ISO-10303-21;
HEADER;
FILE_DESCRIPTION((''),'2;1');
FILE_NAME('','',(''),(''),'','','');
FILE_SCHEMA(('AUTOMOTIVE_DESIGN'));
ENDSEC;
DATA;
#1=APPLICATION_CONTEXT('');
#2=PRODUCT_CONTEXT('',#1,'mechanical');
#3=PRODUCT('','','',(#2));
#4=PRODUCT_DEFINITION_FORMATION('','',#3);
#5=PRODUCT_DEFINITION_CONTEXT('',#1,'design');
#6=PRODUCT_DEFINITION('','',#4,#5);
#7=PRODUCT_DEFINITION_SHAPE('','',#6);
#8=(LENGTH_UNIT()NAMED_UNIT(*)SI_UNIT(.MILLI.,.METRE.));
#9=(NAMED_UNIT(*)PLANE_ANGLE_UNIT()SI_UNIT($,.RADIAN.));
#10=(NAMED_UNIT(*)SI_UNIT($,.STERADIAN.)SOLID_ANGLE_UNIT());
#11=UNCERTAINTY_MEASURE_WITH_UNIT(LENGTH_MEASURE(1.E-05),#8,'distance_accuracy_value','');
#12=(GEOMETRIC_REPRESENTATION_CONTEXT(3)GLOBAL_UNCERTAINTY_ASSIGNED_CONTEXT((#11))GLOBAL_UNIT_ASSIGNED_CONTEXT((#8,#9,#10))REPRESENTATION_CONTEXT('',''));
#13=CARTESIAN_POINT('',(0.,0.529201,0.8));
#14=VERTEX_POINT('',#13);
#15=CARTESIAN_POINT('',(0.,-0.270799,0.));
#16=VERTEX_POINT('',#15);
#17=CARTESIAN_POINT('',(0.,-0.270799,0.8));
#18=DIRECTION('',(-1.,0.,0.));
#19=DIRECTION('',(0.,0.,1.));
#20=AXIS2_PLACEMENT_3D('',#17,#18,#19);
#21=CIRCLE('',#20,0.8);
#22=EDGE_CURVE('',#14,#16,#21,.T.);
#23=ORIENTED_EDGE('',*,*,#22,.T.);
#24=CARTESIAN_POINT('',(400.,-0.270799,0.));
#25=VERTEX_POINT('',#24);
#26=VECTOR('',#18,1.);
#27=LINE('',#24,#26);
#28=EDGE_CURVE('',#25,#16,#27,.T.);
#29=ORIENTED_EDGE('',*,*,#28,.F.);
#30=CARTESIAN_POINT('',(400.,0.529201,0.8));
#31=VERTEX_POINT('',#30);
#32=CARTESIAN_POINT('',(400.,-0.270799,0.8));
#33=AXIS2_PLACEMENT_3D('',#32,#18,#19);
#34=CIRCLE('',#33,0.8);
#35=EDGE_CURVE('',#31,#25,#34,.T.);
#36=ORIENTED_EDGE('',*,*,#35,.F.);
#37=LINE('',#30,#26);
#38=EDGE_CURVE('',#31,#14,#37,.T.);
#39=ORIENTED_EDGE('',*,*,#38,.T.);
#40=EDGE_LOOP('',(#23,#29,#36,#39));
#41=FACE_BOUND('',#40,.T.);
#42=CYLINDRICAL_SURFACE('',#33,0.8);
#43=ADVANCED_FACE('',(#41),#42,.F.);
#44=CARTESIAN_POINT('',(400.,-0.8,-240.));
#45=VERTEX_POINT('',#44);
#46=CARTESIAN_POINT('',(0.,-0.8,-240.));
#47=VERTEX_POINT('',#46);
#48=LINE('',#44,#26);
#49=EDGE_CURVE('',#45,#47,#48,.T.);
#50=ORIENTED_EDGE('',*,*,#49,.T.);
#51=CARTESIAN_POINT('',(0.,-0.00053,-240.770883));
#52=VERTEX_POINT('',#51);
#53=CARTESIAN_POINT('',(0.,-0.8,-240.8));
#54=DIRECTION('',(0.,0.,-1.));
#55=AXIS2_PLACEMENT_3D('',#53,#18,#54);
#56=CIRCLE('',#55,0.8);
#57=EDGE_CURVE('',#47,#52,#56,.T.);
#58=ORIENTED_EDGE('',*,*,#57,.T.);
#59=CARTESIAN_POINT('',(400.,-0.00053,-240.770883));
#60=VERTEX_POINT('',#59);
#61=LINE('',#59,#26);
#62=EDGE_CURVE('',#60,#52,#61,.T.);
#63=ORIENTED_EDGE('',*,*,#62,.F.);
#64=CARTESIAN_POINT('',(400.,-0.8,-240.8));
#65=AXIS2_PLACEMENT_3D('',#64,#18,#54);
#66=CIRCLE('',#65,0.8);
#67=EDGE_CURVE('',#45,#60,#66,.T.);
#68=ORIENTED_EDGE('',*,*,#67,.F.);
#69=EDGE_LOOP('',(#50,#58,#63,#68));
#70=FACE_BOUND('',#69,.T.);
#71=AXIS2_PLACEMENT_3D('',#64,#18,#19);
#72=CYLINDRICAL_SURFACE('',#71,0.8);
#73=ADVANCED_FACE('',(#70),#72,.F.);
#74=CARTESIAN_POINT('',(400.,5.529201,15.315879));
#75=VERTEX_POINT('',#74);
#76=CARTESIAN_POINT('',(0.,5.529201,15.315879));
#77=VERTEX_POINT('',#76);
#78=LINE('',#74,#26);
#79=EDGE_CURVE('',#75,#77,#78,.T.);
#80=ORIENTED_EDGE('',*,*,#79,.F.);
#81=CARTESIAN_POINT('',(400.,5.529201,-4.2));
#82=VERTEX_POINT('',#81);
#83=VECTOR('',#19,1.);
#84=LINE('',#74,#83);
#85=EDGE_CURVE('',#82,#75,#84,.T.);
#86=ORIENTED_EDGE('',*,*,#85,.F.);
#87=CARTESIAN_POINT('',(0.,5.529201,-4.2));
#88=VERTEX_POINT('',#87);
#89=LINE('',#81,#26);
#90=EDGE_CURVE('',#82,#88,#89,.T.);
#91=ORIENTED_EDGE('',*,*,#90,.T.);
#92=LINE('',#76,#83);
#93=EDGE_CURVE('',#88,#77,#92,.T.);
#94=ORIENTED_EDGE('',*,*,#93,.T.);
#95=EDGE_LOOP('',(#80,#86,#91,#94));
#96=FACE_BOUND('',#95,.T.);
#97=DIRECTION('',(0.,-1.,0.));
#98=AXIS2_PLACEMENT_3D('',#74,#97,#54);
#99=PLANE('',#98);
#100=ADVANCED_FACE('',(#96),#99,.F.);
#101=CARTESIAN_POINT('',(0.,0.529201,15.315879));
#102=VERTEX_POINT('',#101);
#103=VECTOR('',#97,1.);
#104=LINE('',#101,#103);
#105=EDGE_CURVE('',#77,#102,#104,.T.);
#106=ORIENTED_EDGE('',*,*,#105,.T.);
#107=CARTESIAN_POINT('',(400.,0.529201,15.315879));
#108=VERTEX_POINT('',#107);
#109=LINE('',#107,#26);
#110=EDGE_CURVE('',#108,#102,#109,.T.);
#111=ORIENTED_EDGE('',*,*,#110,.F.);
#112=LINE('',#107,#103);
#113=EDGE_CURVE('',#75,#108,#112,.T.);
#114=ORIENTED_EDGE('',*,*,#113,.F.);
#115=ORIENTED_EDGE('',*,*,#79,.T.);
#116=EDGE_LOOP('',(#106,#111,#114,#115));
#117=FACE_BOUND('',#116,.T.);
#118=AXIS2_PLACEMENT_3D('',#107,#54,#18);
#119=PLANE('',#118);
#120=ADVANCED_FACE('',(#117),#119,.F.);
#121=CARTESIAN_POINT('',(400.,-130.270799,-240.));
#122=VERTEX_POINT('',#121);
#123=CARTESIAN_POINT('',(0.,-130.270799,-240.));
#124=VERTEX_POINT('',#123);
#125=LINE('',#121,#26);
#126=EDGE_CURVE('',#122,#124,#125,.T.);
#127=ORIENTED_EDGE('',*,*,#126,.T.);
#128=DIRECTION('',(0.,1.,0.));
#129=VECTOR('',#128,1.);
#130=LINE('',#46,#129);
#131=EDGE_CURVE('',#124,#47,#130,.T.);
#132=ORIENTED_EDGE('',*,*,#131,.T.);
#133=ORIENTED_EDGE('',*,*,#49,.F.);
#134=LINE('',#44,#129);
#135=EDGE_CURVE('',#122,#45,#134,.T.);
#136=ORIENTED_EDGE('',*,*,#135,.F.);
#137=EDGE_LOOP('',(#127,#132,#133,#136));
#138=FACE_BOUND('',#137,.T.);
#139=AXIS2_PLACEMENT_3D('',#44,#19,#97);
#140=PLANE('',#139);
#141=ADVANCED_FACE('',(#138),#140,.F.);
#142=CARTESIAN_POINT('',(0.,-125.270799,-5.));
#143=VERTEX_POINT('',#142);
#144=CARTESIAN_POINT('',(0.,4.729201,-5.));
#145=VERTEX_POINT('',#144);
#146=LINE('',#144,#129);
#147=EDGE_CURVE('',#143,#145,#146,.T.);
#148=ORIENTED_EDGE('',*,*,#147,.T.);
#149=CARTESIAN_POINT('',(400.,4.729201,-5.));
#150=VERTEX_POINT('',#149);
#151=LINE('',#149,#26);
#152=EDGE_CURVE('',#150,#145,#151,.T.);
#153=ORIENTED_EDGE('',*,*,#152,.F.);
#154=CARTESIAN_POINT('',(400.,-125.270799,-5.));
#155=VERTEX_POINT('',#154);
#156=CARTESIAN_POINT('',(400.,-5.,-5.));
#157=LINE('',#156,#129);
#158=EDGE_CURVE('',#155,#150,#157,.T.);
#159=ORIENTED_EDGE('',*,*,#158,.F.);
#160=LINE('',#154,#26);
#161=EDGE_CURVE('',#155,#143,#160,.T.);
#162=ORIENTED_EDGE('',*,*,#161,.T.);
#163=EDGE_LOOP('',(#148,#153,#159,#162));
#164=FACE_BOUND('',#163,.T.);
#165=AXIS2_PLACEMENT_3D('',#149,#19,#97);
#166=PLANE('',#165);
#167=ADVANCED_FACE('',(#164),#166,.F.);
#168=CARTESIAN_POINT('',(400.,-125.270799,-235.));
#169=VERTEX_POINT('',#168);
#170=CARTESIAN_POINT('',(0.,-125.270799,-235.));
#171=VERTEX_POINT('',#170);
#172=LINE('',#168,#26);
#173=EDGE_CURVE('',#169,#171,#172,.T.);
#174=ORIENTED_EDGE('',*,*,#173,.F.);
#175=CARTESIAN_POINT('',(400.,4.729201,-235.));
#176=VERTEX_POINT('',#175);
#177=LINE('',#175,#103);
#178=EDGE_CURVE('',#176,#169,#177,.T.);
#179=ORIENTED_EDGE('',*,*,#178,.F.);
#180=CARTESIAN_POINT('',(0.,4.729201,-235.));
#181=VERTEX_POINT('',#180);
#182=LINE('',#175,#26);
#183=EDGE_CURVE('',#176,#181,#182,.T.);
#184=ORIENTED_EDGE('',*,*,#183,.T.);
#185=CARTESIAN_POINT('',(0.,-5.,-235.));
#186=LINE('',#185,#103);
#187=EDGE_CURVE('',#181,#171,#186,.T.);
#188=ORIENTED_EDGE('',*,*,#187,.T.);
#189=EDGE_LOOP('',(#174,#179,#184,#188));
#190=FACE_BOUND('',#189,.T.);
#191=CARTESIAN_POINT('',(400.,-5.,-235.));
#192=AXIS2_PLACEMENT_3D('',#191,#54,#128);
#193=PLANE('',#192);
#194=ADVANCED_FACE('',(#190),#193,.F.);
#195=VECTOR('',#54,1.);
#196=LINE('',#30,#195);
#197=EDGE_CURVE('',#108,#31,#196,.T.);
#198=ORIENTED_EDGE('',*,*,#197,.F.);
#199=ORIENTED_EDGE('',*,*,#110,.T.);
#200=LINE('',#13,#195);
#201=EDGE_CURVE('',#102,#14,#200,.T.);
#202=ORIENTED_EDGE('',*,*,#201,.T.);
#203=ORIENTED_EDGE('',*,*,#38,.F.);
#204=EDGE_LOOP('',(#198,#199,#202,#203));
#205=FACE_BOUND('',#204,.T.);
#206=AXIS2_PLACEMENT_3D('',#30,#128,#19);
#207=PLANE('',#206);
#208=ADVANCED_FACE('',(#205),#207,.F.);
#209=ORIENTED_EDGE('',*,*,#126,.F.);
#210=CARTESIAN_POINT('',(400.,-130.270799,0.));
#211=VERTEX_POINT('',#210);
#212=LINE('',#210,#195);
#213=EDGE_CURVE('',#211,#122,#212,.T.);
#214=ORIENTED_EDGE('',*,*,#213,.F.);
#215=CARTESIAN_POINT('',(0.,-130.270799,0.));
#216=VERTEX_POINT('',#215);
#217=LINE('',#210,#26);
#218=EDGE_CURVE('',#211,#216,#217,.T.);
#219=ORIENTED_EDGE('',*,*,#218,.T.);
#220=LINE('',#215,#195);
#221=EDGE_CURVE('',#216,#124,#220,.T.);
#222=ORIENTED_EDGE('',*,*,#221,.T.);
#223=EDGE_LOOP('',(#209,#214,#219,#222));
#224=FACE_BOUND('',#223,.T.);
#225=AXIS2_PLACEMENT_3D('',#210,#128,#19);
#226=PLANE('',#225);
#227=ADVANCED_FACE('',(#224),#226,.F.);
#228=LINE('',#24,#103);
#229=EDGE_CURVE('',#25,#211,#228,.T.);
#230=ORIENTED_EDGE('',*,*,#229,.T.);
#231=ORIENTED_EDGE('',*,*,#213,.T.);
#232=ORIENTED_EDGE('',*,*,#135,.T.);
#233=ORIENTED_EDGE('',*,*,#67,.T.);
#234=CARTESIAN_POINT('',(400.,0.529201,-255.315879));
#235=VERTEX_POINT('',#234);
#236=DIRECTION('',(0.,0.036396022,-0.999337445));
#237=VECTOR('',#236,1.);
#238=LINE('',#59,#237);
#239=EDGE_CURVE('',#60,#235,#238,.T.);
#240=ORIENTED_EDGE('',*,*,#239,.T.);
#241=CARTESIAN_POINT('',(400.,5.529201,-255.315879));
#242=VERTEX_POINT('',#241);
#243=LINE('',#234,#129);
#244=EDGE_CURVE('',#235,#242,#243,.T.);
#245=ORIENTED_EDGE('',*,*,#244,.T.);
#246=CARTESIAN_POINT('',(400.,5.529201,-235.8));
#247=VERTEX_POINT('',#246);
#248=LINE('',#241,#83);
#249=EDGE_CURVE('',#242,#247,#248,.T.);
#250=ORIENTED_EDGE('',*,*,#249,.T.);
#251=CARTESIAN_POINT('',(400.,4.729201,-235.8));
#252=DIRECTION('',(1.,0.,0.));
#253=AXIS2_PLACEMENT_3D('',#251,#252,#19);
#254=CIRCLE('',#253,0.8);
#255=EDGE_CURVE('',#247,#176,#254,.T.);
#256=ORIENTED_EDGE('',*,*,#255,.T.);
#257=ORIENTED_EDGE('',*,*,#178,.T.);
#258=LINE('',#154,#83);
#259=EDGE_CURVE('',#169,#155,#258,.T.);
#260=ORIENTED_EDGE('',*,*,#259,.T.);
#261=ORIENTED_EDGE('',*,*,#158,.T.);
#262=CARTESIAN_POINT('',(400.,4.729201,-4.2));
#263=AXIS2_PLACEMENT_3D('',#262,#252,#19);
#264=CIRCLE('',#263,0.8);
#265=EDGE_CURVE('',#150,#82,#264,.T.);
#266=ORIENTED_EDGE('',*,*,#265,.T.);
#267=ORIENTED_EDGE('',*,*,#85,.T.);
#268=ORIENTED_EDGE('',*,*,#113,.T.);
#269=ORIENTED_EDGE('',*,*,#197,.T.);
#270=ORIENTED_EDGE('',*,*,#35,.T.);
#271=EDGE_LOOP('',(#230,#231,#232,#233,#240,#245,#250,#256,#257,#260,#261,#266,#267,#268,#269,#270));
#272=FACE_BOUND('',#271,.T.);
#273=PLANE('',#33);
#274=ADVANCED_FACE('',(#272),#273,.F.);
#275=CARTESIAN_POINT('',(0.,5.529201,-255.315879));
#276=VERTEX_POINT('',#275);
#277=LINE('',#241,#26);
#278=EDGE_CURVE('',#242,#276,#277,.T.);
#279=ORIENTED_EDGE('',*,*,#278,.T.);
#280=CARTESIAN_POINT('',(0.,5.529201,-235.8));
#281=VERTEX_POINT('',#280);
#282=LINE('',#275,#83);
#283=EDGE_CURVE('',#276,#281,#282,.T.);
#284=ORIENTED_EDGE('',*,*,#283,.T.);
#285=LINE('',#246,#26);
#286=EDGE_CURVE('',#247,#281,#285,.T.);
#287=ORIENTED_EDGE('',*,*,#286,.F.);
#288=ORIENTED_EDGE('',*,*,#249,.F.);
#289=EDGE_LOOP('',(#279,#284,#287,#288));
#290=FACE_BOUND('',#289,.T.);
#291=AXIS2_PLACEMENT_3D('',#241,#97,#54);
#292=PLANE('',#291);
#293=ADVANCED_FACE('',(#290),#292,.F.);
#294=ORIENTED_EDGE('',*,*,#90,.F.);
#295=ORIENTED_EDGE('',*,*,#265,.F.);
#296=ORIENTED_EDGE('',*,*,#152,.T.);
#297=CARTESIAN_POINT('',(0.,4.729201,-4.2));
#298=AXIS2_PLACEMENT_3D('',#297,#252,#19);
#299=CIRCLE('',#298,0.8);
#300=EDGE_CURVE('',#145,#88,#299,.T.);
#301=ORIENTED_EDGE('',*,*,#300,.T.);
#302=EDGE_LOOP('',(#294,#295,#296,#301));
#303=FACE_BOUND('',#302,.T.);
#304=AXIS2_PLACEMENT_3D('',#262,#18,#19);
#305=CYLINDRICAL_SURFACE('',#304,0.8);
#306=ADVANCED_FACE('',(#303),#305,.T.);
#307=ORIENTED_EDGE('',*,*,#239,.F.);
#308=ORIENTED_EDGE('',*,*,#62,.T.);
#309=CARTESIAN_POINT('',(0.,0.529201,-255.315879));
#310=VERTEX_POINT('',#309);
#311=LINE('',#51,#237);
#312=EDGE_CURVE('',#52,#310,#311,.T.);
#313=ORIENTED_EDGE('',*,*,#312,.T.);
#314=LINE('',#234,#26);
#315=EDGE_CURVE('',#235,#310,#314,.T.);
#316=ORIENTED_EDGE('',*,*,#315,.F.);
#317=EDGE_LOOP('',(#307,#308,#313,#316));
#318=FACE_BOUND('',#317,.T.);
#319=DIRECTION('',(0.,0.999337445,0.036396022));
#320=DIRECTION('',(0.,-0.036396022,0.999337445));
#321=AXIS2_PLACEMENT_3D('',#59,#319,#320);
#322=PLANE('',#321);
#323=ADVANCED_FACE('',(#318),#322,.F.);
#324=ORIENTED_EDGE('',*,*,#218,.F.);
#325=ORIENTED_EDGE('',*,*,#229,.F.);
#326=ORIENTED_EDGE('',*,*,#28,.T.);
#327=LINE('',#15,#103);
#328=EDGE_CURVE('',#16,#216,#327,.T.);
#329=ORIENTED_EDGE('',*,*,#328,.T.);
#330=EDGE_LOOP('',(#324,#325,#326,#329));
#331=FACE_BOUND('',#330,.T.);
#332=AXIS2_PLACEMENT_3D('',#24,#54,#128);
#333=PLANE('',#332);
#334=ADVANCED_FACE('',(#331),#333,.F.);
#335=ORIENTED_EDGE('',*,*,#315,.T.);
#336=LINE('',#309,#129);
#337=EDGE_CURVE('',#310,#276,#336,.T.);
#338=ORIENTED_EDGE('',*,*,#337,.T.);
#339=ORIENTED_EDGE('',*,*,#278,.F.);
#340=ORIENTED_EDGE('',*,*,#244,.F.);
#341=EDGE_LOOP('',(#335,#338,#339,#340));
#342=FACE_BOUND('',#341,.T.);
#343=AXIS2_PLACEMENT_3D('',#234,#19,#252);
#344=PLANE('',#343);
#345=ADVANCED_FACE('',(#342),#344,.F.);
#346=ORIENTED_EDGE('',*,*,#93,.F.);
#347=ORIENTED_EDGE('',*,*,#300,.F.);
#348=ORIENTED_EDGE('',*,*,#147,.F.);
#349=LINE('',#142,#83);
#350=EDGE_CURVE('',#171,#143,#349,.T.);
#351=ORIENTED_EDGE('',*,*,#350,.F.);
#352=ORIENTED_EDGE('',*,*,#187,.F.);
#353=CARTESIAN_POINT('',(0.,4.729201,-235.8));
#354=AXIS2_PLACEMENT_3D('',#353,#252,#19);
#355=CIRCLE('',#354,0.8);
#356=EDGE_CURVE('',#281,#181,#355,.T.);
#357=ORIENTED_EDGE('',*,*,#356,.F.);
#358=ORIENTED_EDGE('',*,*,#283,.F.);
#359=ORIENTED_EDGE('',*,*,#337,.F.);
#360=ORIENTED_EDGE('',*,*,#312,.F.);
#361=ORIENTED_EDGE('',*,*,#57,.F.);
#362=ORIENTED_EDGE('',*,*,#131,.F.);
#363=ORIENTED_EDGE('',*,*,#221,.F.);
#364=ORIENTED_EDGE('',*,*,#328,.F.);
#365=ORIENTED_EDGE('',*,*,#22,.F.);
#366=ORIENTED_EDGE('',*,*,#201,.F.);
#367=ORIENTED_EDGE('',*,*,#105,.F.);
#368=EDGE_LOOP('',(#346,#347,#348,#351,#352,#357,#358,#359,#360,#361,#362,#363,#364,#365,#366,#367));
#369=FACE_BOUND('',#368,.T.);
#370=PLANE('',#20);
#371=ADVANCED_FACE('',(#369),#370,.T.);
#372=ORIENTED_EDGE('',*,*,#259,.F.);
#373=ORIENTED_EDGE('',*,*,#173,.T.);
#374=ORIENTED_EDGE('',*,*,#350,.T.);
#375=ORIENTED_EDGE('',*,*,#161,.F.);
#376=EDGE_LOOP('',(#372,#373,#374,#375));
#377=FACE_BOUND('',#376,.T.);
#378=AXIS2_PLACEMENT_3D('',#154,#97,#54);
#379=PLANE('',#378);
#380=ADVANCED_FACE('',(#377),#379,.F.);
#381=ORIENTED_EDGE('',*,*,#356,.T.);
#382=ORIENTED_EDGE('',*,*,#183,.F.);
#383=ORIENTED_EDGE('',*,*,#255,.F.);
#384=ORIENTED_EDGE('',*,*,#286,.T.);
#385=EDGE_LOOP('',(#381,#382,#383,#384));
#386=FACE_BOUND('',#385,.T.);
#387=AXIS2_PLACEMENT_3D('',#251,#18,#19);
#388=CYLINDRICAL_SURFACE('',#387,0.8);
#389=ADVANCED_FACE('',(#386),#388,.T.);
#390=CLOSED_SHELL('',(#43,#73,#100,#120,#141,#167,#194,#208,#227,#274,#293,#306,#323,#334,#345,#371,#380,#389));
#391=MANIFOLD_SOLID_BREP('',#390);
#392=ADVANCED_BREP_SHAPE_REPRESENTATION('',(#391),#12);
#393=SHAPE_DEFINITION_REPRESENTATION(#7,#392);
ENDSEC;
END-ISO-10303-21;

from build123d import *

# Parameters (mm, degrees)
BOSS_EXTRUDE1_DEPTH = 400


with BuildPart() as part:
    # Sketch1 → Boss-Extrude1 (new body)
    with BuildSketch(Plane(origin=(0, 0, 0), x_dir=(0, 0, -1), z_dir=(1, 0, 0))):
        with BuildLine():
            Line((5, -5), (5, -125.270799085))
            Line((5, -125.270799085), (235, -125.270799085))
            Line((235, -125.270799085), (235, -5))
            Line((235, -5), (235, 4.729200915))
            ThreePointArc((235, 4.729200915), (235.234314575, 5.29488634), (235.8, 5.529200915))
            Line((235.8, 5.529200915), (255.315878667, 5.529200915))
            Line((255.315878667, 5.529200915), (255.315878667, 0.529200915))
            Line((255.315878667, 0.529200915), (240.770883182, -0.000530044))
            ThreePointArc((240.770883182, -0.000530044), (240.224112227, -0.244704337), (240, -0.8))
            Line((240, -0.8), (240, -130.270799085))
            Line((240, -130.270799085), (0, -130.270799085))
            Line((0, -130.270799085), (0, -0.270799085))
            ThreePointArc((0, -0.270799085), (-0.234314575, 0.29488634), (-0.8, 0.529200915))
            Line((-0.8, 0.529200915), (-15.315878667, 0.529200915))
            Line((-15.315878667, 0.529200915), (-15.315878667, 5.529200915))
            Line((-15.315878667, 5.529200915), (4.2, 5.529200915))
            ThreePointArc((4.2, 5.529200915), (4.765685425, 5.29488634), (5, 4.729200915))
            Line((5, 4.729200915), (5, -5))
        make_face()
    extrude(amount=BOSS_EXTRUDE1_DEPTH)


solid = part.part
